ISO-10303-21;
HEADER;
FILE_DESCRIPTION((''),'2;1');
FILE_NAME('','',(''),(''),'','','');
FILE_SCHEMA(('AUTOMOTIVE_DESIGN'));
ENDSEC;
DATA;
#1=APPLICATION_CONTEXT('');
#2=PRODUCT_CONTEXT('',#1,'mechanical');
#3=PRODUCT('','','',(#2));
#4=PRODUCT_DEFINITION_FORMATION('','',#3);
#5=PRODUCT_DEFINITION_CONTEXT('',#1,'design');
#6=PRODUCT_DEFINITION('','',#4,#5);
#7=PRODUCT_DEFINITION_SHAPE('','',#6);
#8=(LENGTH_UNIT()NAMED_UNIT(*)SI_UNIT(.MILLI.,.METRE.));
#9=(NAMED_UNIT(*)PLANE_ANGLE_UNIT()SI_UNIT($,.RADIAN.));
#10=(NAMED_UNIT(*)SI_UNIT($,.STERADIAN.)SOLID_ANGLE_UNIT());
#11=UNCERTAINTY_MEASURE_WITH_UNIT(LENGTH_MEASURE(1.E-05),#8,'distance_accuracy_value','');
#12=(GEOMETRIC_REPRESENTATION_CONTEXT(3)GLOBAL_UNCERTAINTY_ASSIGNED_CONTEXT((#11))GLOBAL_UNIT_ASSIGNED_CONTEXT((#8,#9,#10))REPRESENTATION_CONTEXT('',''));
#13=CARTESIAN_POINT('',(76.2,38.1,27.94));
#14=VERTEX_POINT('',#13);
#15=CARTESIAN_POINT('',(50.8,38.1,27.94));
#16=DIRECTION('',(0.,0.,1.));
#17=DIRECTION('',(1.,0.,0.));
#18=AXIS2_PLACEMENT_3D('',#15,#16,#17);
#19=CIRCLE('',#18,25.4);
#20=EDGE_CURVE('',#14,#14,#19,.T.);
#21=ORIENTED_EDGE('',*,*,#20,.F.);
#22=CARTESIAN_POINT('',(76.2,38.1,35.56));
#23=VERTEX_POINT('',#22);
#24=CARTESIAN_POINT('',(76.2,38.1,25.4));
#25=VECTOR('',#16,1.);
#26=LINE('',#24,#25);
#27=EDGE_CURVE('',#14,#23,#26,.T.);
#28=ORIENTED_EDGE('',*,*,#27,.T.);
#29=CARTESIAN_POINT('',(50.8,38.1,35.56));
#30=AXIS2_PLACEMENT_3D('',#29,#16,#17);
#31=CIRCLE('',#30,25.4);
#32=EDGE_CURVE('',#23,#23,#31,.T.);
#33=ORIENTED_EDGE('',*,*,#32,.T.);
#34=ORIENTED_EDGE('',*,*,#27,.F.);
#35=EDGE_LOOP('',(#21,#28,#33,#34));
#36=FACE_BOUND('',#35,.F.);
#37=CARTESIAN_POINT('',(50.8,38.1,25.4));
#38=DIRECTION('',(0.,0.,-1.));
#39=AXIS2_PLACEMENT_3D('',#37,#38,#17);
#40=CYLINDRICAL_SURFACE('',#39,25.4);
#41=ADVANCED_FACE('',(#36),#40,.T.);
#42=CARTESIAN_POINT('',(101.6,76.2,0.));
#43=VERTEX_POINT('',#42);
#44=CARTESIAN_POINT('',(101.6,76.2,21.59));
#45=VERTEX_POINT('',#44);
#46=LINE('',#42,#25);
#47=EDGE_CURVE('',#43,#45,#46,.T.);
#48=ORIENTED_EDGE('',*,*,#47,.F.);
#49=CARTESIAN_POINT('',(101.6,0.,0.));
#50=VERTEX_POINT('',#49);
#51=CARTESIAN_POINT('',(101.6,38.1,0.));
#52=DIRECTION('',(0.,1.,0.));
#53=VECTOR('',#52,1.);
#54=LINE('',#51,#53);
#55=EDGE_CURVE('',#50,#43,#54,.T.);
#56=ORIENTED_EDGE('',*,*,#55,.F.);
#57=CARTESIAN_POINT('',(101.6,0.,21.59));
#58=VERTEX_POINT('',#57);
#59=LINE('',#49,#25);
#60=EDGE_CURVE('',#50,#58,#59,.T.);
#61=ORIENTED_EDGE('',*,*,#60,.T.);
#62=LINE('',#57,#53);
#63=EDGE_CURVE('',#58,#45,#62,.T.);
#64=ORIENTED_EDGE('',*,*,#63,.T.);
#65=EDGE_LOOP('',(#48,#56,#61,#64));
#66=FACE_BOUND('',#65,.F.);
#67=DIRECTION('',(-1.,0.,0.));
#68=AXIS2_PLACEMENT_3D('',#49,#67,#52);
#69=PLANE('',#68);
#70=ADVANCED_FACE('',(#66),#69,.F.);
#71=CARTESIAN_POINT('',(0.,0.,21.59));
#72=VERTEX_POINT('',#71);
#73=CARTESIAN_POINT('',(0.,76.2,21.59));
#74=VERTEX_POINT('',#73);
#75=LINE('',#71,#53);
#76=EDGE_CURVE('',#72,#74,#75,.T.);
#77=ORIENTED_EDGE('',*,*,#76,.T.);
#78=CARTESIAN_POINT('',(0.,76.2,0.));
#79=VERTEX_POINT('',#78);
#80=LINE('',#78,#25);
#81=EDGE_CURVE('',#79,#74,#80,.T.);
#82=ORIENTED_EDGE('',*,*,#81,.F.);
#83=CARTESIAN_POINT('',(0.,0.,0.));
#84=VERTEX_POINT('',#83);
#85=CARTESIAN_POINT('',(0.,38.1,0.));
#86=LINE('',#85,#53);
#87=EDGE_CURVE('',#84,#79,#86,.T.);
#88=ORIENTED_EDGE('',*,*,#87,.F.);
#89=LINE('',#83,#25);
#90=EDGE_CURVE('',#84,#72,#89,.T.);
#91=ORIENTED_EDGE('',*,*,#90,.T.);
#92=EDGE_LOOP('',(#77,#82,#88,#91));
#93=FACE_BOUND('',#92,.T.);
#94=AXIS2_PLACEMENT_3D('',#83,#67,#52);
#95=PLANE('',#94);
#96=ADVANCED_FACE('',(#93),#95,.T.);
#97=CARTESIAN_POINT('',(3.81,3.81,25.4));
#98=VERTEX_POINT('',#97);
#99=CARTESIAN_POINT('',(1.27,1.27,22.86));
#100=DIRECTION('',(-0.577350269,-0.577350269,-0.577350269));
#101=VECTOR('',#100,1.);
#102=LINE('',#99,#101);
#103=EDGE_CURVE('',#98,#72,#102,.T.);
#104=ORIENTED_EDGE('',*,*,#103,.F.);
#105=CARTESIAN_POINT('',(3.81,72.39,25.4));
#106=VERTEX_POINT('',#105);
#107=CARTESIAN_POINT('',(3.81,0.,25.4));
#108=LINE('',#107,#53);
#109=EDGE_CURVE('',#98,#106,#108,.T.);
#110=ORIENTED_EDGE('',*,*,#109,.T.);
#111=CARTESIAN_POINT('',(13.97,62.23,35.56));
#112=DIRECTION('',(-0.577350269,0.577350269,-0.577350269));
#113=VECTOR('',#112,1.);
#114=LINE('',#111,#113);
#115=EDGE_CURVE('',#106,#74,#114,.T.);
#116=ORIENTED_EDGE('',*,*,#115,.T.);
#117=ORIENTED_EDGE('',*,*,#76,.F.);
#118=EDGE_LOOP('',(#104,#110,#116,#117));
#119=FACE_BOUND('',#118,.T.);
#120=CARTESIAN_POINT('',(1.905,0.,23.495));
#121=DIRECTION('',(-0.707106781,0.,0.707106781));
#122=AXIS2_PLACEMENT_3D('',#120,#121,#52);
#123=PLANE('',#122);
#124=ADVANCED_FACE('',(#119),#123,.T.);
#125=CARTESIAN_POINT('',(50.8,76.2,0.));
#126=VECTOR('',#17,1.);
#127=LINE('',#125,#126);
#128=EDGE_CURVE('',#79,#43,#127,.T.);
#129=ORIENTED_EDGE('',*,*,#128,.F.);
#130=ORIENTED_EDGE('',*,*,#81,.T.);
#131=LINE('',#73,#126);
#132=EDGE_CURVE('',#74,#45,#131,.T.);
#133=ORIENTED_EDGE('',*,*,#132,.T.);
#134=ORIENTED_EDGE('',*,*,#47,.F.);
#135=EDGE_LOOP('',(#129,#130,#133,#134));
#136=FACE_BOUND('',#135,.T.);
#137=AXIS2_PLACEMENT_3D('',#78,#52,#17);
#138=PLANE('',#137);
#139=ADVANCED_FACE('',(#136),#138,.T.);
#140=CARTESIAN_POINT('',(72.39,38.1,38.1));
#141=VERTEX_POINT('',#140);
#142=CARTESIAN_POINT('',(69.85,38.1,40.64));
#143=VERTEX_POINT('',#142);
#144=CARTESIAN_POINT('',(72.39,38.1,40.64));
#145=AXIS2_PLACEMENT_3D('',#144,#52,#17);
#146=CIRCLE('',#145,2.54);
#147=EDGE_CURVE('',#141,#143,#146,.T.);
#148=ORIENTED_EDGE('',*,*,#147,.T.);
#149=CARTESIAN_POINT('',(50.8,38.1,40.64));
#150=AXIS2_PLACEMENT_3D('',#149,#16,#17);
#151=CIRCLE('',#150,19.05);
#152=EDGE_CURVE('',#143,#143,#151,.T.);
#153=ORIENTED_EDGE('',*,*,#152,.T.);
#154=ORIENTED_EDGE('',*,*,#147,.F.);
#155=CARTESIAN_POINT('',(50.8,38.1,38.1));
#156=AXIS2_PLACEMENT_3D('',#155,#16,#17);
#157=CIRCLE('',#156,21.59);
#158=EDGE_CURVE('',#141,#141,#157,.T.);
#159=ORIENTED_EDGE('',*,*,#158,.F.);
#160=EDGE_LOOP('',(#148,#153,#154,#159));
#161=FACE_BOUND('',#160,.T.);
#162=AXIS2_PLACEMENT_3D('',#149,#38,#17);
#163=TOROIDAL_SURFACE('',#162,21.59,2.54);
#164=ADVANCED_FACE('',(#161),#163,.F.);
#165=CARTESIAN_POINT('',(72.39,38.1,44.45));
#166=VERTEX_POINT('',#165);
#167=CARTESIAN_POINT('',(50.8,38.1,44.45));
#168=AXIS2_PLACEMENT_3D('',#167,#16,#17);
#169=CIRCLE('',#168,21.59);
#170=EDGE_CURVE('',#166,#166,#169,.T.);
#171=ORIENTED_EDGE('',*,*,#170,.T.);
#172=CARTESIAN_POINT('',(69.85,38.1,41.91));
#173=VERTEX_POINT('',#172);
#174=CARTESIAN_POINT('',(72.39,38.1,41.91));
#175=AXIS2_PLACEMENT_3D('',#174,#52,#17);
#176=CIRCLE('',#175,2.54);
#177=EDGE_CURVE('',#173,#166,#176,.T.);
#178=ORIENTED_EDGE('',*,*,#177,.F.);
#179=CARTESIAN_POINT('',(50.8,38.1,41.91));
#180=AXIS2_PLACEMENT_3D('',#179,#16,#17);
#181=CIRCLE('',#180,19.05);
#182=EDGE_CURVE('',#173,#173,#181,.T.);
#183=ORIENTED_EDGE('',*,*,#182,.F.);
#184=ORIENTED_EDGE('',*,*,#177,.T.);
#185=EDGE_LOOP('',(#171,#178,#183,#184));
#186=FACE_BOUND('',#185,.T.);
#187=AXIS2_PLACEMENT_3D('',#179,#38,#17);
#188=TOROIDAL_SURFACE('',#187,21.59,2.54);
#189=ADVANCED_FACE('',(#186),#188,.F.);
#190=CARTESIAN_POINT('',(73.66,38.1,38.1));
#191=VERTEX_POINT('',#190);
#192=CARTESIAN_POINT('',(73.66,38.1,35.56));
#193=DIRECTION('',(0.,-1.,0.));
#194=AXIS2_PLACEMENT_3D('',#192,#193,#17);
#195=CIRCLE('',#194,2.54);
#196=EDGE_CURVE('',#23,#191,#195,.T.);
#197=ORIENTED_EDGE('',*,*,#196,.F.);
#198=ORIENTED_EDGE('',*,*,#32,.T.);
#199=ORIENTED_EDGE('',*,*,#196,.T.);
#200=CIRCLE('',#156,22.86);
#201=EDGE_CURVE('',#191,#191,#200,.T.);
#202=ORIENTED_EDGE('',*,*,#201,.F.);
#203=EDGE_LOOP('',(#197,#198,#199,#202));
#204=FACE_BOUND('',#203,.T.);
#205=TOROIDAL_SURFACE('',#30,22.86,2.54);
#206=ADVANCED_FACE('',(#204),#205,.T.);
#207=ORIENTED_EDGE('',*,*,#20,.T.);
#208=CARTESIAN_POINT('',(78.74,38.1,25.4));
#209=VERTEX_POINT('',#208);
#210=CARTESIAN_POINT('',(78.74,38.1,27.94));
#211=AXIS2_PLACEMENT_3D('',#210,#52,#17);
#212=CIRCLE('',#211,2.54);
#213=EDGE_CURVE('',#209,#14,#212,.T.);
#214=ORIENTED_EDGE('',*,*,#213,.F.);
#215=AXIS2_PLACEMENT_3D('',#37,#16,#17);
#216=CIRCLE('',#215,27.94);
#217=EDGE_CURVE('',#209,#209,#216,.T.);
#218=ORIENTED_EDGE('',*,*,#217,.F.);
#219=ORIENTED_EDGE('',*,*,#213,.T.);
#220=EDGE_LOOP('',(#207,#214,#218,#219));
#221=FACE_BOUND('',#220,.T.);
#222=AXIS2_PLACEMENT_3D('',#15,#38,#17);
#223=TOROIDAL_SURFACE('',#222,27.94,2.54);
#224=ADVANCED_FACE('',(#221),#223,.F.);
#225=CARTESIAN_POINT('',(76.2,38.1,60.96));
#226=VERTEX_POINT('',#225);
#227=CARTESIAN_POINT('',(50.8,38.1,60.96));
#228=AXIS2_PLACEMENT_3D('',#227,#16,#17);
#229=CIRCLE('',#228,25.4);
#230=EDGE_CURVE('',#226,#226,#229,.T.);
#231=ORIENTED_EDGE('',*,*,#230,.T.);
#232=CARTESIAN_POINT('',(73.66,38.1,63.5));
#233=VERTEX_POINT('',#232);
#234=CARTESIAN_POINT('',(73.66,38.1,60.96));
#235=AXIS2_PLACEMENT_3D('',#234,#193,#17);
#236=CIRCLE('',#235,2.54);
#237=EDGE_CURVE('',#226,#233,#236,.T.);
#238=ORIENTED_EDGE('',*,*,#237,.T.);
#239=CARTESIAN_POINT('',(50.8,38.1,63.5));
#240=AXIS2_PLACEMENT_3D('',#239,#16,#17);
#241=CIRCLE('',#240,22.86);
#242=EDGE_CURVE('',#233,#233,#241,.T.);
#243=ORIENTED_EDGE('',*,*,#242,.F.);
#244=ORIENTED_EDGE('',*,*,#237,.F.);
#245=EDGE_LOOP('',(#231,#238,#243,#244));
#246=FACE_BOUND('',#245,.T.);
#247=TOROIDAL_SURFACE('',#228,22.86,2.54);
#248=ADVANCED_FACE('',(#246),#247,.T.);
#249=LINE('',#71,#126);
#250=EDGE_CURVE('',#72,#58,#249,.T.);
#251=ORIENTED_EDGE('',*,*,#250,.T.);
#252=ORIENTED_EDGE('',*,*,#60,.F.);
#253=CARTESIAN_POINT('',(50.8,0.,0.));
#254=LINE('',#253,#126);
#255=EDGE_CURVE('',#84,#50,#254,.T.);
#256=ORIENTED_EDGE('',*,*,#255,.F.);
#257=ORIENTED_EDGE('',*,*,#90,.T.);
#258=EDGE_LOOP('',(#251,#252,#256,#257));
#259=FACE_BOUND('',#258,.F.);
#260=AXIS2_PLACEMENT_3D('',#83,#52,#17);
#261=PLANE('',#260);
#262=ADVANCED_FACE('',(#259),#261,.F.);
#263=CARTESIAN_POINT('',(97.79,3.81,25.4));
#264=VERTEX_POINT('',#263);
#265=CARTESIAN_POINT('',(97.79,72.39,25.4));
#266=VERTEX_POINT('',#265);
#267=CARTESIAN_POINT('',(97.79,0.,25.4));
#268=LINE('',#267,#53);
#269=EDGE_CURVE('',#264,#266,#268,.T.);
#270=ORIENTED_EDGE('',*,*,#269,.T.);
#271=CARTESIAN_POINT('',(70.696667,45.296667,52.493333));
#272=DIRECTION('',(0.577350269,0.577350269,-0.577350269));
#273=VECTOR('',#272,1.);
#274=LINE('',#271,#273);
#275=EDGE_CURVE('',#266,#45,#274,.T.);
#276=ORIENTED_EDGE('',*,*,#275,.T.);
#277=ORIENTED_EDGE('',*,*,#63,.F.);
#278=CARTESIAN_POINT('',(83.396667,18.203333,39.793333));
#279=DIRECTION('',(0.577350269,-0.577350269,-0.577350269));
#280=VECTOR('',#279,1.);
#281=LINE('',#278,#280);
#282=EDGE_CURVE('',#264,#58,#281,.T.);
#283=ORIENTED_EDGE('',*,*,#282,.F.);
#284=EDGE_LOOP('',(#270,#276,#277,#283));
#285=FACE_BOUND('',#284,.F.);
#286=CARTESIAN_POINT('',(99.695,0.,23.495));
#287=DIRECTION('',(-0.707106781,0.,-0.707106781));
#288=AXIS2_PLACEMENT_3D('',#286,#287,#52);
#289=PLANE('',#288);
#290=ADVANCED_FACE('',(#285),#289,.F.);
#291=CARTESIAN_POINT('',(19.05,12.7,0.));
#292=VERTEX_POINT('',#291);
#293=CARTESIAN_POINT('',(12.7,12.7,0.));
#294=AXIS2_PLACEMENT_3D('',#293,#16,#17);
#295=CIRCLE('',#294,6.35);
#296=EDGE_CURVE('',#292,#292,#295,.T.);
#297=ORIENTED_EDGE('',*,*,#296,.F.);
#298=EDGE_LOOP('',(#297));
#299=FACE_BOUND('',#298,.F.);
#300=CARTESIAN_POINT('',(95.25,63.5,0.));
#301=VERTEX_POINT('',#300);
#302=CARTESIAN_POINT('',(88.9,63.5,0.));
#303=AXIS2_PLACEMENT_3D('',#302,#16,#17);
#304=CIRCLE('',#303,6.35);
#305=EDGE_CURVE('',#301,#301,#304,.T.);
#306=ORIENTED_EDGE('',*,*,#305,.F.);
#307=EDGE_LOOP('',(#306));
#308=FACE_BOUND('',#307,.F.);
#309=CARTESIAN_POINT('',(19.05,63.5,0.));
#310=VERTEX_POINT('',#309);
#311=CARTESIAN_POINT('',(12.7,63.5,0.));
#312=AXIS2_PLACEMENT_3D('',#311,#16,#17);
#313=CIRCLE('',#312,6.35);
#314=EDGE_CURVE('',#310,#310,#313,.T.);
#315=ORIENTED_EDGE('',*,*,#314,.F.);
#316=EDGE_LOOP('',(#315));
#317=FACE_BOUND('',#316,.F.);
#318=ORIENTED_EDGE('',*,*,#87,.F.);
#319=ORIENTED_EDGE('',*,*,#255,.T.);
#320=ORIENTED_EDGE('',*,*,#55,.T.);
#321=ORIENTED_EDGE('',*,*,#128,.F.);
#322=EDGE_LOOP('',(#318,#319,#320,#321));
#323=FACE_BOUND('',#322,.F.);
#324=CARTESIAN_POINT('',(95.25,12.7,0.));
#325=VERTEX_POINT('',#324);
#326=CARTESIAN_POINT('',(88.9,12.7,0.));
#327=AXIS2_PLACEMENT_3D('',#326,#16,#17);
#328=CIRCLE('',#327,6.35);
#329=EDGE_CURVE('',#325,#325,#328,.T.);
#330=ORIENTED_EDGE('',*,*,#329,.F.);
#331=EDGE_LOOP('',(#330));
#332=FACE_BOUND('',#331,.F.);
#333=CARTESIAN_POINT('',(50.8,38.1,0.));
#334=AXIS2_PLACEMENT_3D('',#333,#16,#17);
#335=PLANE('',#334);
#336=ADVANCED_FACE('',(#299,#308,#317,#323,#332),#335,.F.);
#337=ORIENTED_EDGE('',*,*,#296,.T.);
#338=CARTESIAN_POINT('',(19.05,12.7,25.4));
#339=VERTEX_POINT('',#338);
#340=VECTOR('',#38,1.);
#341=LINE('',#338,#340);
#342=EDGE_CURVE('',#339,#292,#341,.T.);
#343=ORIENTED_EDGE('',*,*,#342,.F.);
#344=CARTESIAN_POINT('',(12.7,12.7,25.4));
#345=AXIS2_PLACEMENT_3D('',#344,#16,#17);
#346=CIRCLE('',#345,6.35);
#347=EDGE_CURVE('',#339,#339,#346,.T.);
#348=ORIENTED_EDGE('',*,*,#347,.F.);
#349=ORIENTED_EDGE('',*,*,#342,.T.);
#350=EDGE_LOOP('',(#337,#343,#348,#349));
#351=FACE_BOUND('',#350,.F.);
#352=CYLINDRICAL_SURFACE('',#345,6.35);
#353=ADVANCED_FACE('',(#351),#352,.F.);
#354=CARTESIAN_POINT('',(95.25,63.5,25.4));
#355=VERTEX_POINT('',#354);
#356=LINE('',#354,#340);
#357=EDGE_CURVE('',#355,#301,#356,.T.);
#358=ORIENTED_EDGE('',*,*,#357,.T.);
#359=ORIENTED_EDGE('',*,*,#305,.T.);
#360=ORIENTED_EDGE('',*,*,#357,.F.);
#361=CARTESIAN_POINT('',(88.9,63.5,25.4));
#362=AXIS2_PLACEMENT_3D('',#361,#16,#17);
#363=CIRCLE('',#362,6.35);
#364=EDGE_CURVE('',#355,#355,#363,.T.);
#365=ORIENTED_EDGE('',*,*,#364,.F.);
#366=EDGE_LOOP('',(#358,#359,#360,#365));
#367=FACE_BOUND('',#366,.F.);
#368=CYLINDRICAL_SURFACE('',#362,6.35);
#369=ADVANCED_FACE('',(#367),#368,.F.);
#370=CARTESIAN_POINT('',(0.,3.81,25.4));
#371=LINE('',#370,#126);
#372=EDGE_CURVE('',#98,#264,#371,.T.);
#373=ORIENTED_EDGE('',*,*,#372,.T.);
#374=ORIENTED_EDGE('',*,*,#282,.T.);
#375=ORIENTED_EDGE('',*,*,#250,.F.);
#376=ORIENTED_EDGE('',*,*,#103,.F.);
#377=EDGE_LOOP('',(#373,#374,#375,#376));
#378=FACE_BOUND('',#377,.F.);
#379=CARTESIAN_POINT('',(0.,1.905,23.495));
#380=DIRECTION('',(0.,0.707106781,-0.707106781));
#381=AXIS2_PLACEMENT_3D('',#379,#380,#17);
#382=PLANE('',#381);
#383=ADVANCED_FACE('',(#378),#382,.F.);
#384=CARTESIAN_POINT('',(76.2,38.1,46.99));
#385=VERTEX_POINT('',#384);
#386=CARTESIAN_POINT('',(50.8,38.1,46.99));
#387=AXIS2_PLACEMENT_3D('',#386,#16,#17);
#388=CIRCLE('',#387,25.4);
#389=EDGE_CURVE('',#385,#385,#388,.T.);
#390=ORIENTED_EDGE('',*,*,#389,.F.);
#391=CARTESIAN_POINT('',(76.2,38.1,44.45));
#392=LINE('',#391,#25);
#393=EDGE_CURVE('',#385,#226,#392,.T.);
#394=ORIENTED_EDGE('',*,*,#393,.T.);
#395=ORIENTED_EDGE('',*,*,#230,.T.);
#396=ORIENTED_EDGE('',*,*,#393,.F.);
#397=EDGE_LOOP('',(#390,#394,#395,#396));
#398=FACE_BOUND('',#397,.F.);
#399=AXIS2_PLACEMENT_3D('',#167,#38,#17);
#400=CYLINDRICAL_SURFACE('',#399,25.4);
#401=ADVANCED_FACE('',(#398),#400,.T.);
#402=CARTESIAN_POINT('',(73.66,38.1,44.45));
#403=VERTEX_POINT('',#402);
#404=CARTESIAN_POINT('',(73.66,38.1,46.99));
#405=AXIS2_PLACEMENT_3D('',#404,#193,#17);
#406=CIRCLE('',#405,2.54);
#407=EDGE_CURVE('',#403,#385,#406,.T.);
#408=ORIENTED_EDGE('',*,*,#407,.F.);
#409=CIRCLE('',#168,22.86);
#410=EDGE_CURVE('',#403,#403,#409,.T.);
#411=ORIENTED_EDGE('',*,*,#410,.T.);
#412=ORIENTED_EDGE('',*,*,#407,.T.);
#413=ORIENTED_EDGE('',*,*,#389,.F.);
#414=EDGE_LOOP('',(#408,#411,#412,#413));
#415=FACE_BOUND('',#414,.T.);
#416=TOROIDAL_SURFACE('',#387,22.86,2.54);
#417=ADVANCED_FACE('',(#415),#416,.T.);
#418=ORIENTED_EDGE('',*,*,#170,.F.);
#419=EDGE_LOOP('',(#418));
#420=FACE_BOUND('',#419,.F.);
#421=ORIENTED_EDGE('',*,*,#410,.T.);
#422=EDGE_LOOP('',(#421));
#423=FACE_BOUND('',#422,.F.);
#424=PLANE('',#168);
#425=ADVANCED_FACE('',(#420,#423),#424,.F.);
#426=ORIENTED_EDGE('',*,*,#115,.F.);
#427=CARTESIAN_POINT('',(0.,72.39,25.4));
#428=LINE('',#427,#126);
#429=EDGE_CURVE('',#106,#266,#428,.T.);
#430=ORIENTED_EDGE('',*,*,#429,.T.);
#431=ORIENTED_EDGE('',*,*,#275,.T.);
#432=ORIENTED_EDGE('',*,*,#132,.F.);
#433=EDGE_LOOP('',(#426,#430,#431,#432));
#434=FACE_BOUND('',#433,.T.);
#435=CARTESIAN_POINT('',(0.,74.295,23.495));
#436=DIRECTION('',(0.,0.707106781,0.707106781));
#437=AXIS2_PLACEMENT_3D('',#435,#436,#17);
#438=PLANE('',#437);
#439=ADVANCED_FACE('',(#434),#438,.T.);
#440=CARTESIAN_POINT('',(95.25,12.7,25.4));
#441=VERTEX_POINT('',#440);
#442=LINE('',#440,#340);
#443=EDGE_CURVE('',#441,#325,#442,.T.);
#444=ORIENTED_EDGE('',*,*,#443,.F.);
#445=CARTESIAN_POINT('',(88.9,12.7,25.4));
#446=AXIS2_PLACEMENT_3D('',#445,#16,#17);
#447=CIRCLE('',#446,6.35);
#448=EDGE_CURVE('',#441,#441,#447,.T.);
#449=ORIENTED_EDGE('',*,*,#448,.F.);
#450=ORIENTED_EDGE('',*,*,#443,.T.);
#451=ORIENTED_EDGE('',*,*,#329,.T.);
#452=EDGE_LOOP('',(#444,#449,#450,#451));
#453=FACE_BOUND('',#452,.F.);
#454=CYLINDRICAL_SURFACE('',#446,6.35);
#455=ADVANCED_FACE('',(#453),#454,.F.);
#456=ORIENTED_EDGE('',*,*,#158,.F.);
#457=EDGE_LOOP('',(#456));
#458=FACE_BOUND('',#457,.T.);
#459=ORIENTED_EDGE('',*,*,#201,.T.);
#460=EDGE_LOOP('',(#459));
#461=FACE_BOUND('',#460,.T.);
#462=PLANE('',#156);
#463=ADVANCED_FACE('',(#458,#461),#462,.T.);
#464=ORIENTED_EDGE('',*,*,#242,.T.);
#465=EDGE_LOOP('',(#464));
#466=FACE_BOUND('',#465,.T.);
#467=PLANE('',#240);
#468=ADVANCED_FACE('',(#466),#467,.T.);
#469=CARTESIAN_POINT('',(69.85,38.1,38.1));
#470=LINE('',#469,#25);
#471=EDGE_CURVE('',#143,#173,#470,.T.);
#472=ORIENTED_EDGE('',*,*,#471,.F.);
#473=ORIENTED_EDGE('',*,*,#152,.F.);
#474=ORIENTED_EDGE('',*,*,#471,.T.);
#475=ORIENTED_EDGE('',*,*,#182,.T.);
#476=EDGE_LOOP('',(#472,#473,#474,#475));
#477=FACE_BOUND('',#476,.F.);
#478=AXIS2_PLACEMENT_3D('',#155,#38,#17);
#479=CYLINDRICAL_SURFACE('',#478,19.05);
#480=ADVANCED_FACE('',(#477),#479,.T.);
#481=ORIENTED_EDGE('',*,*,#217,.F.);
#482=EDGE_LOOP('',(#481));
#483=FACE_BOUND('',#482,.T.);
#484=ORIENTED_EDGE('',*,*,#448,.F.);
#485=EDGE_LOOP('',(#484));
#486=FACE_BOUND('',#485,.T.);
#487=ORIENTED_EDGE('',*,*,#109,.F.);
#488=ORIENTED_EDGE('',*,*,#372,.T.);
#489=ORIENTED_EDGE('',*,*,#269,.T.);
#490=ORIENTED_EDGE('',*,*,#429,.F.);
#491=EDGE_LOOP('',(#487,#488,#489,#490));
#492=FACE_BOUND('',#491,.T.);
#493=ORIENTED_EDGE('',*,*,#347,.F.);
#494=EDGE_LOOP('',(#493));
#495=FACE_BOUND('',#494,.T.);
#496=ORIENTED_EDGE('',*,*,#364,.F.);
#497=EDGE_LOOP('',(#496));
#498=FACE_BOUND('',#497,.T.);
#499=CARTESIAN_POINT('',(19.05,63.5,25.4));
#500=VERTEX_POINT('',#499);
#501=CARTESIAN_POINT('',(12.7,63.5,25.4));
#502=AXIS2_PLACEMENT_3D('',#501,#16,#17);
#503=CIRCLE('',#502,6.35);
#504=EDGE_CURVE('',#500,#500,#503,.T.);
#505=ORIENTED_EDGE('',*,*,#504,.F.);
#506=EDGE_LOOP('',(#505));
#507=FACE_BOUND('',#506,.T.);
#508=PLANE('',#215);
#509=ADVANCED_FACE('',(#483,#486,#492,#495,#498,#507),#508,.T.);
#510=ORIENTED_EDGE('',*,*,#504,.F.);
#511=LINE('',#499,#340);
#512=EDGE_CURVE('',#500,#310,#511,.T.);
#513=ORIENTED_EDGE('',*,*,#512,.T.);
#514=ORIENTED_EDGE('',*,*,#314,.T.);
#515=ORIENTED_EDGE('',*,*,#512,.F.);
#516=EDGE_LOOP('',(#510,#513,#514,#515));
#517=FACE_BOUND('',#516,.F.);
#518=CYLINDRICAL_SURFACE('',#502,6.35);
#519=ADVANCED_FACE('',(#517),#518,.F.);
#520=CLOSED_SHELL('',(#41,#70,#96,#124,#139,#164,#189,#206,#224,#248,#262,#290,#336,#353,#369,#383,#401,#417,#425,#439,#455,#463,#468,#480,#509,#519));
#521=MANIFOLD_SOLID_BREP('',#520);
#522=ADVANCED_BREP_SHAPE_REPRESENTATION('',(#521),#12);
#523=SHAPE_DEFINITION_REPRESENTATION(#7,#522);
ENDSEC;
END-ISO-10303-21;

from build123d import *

# Parameters (mm, degrees)
F0_W     = 101.6
F0_H     = 76.2
F1_DEPTH = 25.4
F2_R     = 6.35
F3_DEPTH = 25.4
F4_R     = 25.4
F5_DEPTH = 12.7
F6_R     = 19.05
F7_DEPTH = 6.35
F8_R     = 25.4
F9_DEPTH = 19.05
F10_SIZE = 3.81
F11_R    = 2.54


with BuildPart() as f1:
    # F0 (on Top) → F1 (new body)
    with BuildSketch(Plane.XY):
        with Locations((50.8, 38.1)):
            Rectangle(F0_W, F0_H)
    extrude(amount=F1_DEPTH)

    # F2 (on face) → F3 (cut)
    with BuildSketch(Plane.XY.offset(25.4)):
        with Locations((12.7, 63.5)):
            Circle(F2_R)
        with Locations((88.9, 12.7)):
            Circle(F2_R)
        with Locations((88.9, 63.5)):
            Circle(F2_R)
        with Locations((12.7, 12.7)):
            Circle(F2_R)
    extrude(amount=-F3_DEPTH, mode=Mode.SUBTRACT)

    # F4 (on face) → F5 (join)
    with BuildSketch(Plane.XY.offset(25.4)):
        with Locations((50.8, 38.1)):
            Circle(F4_R)
    extrude(amount=F5_DEPTH)

    # F6 (on face) → F7 (join)
    with BuildSketch(Plane.XY.offset(38.1)):
        with Locations((50.8, 38.1)):
            Circle(F6_R)
    extrude(amount=F7_DEPTH)

    # F8 (on face) → F9 (join)
    with BuildSketch(Plane.XY.offset(44.45)):
        with Locations((50.8, 38.1)):
            Circle(F8_R)
    extrude(amount=F9_DEPTH)

    # F10
    f10_edges = [f1.edges().sort_by_distance(p)[0] for p in [
        (101.6, 38.1, 25.4),
        (50.8, 0, 25.4),
        (50.8, 76.2, 25.4),
        (0, 38.1, 25.4),
    ]]
    chamfer(f10_edges, length=F10_SIZE)

    # F11
    f11_edges = [f1.edges().sort_by_distance(p)[0] for p in [
        (25.4, 38.1, 25.4),
        (25.4, 38.1, 38.1),
        (31.75, 38.1, 38.1),
        (25.4, 38.1, 44.45),
        (31.75, 38.1, 44.45),
        (25.4, 38.1, 63.5),
    ]]
    fillet(f11_edges, radius=F11_R)


solid = f1.part
